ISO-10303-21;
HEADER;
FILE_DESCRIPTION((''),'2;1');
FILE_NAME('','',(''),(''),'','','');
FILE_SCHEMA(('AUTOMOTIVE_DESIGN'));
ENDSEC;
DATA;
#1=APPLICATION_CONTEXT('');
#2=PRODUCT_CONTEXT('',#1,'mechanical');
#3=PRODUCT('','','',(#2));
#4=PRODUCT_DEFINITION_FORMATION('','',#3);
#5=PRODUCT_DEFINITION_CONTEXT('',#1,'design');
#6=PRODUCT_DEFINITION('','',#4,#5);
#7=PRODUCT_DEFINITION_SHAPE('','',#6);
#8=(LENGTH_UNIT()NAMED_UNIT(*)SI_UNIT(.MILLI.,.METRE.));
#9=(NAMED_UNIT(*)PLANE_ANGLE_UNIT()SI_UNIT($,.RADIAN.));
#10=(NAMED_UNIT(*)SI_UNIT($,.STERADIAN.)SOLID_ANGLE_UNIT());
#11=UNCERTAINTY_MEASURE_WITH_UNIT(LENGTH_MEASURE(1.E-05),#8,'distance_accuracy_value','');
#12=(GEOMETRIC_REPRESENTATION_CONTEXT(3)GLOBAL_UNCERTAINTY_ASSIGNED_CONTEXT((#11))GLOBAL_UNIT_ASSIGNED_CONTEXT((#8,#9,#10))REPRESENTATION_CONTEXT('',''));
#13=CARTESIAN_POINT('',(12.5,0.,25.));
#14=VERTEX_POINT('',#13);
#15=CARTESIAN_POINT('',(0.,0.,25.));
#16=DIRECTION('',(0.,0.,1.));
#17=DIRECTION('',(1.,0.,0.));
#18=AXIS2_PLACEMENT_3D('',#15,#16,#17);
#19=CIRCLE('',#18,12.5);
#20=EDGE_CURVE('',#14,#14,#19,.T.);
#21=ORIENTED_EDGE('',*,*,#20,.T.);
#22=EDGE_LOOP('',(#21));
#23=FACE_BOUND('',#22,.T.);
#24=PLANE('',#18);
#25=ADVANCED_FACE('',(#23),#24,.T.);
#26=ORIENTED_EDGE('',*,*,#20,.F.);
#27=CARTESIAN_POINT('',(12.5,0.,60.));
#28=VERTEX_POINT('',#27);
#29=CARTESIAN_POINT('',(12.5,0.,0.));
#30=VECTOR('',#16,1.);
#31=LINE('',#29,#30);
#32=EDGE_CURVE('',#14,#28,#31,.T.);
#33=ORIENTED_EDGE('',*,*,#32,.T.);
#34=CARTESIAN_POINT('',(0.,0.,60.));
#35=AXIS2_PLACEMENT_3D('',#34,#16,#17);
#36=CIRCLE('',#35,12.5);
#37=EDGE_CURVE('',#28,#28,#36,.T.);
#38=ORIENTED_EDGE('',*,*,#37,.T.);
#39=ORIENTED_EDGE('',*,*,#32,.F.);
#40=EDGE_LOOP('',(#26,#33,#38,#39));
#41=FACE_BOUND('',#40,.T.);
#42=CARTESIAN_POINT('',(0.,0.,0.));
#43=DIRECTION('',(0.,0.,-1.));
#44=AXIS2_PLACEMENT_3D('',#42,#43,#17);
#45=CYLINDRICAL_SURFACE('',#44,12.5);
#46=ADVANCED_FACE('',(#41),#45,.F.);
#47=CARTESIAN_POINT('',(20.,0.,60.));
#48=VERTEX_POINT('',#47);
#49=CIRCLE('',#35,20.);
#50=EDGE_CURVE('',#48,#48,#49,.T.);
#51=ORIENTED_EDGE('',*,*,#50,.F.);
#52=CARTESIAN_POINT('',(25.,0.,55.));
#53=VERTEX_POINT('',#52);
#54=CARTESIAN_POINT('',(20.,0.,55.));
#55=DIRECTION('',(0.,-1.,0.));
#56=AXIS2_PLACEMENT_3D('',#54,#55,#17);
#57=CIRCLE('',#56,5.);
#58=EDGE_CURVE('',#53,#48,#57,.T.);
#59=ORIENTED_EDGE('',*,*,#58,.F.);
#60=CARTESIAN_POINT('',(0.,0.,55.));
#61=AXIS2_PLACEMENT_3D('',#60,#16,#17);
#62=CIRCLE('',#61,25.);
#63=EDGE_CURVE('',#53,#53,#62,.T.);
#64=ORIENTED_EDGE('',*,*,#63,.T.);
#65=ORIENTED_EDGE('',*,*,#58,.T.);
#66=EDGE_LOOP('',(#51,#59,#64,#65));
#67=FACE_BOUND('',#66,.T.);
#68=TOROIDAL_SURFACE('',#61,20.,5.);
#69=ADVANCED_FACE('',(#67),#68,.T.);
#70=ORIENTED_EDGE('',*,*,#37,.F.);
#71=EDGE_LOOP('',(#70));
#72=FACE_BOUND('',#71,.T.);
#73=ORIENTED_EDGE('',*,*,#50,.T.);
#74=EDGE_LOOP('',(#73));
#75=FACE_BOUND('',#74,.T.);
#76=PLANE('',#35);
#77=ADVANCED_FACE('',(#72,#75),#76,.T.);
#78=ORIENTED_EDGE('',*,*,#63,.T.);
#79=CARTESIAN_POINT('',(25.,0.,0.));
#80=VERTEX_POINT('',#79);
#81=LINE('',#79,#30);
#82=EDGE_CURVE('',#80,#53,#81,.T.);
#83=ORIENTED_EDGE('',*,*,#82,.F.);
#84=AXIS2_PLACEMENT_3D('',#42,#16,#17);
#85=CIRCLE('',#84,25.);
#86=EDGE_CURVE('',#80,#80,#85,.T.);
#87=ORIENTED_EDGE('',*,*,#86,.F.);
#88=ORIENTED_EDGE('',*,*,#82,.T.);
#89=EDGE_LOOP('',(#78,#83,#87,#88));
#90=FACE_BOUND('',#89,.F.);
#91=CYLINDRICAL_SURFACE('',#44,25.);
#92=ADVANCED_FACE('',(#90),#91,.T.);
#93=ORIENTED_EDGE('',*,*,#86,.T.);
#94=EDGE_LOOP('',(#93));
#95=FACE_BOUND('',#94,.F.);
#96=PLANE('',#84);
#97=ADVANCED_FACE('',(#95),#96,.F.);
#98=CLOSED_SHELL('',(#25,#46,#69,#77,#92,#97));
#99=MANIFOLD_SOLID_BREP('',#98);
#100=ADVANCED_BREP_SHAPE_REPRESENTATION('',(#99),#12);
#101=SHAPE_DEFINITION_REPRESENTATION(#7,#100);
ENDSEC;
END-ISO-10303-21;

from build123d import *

# Parameters (mm, degrees)
F0_R     = 12.5
F1_DEPTH = 25
F0_R_2   = 25
F2_DEPTH = 60
F3_R     = 5


with BuildPart() as f1:
    # F0 (on Top) → F1 (new body)
    with BuildSketch(Plane.XY):
        Circle(F0_R)
    extrude(amount=F1_DEPTH)

    # F0 (on Top) → F2 (join)
    with BuildSketch(Plane.XY):
        Circle(F0_R_2)
        Circle(F0_R, mode=Mode.SUBTRACT)
    extrude(amount=F2_DEPTH)

    # F3
    f3_edges = [f1.edges().sort_by_distance(p)[0] for p in [
        (-25, 0, 60),
    ]]
    fillet(f3_edges, radius=F3_R)


solid = f1.part
